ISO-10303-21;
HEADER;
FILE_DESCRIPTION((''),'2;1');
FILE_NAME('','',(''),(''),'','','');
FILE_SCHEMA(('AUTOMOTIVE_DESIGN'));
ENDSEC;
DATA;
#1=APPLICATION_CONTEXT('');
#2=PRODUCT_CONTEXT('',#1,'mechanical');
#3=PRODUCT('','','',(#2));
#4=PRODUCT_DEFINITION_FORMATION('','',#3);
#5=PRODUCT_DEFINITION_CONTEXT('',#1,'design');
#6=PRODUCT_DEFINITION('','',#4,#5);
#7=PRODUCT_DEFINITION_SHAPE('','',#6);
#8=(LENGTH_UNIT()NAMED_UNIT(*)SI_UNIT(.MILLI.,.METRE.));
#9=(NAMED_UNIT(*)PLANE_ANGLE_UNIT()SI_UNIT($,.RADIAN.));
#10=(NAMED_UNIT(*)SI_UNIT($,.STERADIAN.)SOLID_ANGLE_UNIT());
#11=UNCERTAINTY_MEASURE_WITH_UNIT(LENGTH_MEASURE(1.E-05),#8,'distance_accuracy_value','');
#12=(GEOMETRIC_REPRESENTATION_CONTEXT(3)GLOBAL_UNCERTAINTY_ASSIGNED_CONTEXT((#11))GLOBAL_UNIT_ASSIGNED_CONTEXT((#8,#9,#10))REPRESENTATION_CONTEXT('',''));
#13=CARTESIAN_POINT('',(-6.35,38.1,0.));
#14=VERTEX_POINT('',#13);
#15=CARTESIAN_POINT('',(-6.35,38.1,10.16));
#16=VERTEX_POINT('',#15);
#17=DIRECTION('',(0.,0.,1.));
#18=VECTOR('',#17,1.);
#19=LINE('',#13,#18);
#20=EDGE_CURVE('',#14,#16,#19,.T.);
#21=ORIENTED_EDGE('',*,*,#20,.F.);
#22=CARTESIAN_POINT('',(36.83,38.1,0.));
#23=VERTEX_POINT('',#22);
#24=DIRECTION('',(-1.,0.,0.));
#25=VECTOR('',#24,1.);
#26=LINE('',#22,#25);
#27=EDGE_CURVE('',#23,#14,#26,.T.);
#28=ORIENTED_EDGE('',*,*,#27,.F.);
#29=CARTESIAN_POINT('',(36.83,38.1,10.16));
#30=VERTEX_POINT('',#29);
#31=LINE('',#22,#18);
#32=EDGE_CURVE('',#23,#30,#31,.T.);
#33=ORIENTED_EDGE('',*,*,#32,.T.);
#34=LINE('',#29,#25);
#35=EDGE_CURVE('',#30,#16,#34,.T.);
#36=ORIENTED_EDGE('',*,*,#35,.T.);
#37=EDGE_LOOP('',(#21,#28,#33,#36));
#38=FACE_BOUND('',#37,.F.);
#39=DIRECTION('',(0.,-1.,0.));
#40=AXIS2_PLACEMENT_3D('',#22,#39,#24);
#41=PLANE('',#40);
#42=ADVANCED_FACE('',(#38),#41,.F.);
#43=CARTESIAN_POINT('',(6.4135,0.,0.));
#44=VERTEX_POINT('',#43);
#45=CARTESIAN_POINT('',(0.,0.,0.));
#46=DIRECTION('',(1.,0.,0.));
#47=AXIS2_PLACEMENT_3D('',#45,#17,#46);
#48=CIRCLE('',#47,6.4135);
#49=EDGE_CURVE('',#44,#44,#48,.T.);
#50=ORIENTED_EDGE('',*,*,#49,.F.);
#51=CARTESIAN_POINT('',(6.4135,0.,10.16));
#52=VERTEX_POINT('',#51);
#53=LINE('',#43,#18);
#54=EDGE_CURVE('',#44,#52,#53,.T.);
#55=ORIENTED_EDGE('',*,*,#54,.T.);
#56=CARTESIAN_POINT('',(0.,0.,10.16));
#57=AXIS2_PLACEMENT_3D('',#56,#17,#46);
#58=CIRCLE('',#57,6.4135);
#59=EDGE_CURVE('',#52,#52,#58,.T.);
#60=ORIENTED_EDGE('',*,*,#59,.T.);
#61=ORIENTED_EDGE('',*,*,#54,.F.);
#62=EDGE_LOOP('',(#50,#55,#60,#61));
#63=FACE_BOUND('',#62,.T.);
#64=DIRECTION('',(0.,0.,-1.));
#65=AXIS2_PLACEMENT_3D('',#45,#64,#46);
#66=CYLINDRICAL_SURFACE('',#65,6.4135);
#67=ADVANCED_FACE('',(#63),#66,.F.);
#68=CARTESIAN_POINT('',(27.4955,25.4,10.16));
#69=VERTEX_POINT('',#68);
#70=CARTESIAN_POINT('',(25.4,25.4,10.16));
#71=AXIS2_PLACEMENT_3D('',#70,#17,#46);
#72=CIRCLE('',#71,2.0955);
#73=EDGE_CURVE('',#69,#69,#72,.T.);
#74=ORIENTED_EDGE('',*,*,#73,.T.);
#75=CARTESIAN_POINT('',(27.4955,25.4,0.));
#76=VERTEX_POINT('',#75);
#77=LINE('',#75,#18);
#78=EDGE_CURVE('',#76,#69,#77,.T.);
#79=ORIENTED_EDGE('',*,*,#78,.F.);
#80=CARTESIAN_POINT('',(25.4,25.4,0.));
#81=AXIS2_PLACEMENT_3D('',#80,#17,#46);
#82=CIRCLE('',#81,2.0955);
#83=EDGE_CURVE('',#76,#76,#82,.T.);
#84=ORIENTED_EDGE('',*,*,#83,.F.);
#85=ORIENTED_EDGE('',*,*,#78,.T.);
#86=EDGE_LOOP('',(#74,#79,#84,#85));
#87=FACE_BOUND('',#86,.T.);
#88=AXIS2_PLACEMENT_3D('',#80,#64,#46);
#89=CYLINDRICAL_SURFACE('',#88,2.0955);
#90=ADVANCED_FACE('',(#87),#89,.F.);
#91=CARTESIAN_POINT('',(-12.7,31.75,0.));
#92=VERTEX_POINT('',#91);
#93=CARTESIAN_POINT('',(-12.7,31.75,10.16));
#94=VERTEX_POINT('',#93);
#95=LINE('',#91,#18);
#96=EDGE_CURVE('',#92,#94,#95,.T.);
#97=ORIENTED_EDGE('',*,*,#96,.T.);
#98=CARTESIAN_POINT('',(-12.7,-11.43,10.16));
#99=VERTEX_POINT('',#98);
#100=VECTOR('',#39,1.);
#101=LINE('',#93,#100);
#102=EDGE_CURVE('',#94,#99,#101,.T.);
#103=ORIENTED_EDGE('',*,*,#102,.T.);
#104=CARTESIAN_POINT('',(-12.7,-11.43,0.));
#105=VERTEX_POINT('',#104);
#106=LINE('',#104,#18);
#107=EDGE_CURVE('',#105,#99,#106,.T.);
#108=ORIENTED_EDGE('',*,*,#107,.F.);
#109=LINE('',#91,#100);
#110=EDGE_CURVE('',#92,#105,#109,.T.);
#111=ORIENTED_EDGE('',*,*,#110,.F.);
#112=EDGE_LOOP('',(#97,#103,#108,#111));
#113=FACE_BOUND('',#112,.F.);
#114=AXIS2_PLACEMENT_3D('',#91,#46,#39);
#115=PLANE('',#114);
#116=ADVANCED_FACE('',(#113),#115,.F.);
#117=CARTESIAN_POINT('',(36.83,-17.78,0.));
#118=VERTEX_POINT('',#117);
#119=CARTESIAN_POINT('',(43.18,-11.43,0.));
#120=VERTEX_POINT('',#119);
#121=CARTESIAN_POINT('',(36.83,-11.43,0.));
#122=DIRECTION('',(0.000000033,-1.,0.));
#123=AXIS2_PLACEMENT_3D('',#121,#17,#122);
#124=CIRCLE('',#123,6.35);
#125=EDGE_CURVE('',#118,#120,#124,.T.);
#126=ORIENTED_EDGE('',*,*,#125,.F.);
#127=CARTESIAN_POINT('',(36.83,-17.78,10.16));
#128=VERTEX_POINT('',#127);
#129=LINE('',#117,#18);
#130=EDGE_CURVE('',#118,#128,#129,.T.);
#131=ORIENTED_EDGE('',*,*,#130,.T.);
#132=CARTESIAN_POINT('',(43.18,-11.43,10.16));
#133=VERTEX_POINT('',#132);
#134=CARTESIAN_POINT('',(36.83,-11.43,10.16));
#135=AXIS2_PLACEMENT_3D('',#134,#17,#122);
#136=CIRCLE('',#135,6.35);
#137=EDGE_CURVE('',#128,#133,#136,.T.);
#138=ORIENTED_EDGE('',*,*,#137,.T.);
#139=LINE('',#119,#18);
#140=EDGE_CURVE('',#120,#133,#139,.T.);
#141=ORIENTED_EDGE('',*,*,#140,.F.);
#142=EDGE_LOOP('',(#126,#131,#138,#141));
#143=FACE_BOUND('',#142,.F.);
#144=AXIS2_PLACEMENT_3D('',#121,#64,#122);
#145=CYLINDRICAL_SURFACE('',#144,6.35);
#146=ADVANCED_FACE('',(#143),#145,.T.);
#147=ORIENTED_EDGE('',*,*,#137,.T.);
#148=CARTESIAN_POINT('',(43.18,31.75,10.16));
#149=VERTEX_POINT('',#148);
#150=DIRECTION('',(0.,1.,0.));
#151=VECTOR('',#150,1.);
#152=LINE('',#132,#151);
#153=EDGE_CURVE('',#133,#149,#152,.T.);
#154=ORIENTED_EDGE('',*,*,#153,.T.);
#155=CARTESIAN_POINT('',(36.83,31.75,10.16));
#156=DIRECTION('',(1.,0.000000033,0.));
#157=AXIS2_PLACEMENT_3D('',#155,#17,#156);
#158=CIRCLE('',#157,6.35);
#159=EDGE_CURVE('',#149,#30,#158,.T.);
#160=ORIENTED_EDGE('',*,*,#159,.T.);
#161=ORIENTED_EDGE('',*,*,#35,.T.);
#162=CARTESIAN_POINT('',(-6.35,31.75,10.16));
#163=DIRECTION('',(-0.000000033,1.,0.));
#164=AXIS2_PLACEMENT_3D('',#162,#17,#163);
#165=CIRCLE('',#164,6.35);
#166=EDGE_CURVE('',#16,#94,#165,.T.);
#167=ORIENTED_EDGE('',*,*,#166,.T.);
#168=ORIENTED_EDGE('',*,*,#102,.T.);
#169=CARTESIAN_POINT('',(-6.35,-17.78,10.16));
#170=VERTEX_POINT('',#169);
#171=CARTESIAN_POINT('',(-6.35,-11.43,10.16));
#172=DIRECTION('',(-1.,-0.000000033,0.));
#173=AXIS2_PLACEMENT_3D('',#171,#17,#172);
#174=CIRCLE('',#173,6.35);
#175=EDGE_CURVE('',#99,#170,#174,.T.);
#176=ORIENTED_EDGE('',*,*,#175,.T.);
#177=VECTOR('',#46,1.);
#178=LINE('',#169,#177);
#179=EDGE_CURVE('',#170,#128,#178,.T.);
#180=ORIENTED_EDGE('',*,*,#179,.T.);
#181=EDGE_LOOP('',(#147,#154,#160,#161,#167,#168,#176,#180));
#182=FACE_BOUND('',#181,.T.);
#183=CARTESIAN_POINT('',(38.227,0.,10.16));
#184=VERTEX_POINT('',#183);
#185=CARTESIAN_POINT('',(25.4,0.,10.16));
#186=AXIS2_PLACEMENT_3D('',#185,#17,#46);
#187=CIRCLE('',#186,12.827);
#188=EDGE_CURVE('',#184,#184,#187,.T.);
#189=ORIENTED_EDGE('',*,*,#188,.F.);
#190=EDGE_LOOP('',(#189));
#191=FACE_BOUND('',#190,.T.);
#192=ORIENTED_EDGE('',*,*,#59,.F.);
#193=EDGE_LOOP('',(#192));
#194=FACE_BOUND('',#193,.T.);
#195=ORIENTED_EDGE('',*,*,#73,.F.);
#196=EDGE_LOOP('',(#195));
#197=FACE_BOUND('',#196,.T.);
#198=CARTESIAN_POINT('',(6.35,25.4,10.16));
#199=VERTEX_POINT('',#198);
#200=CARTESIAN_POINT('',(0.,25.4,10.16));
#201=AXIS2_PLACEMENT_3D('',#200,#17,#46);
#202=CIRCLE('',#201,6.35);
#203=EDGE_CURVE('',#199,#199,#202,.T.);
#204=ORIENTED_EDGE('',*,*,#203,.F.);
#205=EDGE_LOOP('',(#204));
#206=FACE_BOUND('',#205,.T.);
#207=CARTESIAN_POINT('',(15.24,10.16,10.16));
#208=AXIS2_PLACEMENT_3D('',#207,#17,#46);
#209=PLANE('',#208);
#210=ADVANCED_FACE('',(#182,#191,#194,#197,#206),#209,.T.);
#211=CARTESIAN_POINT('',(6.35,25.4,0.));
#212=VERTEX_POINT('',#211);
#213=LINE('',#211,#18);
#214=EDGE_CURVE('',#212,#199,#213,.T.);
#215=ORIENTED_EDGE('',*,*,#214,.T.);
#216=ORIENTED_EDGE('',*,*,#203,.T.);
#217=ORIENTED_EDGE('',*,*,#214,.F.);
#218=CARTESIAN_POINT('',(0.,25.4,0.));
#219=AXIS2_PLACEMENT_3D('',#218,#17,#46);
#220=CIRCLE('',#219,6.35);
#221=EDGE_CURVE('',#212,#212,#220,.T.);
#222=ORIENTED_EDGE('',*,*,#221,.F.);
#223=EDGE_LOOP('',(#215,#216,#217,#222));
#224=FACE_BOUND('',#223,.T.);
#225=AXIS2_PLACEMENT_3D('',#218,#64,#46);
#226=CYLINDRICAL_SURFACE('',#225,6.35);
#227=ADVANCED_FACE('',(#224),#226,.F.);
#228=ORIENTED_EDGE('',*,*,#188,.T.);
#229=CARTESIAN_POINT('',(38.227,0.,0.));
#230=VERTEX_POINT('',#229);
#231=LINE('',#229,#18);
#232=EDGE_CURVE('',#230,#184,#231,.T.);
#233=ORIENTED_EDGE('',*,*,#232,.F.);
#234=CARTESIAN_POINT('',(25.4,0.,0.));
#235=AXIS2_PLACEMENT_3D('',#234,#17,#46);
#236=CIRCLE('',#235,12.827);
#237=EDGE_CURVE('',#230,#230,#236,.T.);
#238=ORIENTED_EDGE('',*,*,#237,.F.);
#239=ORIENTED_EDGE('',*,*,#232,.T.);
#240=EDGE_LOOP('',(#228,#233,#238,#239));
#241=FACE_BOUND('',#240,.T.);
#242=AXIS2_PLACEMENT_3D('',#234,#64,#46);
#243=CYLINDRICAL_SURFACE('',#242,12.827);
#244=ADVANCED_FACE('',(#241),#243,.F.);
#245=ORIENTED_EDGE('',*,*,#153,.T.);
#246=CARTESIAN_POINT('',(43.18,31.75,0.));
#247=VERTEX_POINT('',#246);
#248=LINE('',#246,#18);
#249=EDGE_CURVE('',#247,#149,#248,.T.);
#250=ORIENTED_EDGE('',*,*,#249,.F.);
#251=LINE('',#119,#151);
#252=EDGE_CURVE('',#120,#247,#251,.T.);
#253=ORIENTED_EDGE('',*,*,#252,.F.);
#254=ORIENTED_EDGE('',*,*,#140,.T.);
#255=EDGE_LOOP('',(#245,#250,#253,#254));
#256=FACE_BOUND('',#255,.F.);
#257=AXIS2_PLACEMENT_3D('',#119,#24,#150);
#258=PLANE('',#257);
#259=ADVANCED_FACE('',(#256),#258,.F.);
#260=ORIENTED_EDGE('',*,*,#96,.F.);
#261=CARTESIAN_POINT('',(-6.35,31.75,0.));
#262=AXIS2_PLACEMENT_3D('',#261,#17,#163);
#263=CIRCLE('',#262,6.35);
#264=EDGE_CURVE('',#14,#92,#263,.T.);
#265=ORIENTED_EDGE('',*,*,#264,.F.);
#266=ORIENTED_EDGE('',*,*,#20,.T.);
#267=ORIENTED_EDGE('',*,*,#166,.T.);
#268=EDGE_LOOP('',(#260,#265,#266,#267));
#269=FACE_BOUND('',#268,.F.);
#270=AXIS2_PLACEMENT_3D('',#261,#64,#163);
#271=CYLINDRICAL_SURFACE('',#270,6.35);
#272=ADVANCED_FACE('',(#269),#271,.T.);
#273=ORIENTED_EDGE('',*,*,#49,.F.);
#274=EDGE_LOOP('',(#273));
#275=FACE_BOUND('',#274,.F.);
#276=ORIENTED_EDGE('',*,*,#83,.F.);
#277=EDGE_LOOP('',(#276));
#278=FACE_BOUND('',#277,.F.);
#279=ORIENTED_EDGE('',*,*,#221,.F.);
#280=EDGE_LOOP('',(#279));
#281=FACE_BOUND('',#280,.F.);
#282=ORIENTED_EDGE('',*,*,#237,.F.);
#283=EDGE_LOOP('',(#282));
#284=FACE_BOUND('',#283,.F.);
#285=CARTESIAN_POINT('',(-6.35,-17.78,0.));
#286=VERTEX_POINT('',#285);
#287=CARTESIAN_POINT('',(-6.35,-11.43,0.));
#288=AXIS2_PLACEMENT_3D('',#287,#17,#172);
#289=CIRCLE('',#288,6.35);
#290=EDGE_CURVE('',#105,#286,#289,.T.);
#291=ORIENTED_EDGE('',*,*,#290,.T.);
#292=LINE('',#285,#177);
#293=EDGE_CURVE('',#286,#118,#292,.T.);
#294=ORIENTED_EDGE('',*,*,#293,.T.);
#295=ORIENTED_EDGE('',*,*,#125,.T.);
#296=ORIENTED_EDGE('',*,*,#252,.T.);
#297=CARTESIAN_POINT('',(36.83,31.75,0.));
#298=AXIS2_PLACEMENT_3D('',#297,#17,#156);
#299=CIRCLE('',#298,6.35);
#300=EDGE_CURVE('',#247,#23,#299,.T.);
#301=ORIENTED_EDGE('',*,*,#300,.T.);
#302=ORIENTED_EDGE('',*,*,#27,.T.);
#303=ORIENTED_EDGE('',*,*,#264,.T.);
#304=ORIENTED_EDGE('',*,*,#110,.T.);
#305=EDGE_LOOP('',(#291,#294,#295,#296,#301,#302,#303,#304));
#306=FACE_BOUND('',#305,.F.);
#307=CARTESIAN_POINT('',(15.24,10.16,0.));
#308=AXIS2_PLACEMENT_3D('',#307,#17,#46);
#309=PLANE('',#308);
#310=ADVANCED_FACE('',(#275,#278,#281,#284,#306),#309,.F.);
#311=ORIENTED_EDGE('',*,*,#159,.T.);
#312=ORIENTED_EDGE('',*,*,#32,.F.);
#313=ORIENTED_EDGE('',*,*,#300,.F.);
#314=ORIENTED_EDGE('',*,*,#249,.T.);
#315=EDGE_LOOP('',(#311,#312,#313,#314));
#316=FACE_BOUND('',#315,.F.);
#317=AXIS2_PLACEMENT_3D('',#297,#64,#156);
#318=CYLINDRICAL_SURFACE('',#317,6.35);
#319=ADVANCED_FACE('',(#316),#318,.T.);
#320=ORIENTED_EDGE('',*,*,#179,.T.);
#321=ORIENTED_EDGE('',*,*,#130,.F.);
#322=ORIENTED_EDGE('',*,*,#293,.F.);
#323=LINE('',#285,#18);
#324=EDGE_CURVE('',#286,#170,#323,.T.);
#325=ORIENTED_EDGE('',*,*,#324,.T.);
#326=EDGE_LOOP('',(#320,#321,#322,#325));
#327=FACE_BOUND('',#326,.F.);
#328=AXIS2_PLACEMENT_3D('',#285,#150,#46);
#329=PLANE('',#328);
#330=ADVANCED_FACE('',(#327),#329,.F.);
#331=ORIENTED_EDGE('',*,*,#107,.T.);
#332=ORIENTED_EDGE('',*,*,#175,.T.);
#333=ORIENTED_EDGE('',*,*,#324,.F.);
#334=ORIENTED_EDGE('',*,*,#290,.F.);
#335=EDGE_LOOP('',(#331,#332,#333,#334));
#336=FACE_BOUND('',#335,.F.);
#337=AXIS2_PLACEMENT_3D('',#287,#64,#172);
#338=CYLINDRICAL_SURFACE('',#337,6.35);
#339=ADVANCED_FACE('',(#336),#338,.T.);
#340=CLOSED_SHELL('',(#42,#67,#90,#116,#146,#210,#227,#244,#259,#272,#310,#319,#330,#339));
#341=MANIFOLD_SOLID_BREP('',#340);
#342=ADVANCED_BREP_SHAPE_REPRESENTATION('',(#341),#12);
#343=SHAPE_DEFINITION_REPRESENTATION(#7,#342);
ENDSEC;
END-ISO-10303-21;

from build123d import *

# Parameters (mm, degrees)
F0_R     = 6.4135
F0_R_2   = 12.827
F0_R_3   = 6.35
F0_R_4   = 2.0955
F1_DEPTH = 10.16


with BuildPart() as f1:
    # F0 (on Top) → F1 (new body)
    with BuildSketch(Plane.XY):
        with BuildLine():
            Line((36.83, 38.1), (-6.35, 38.1))
            ThreePointArc((-6.35, 38.1), (-10.840128, 36.240128), (-12.7, 31.75))
            Line((-12.7, 31.75), (-12.7, -11.43))
            ThreePointArc((-12.7, -11.43), (-10.840128, -15.920128), (-6.35, -17.78))
            Line((-6.35, -17.78), (36.83, -17.78))
            ThreePointArc((36.83, -17.78), (41.320128, -15.920128), (43.18, -11.43))
            Line((43.18, -11.43), (43.18, 31.75))
            ThreePointArc((43.18, 31.75), (41.320128, 36.240128), (36.83, 38.1))
        make_face()
        Circle(F0_R, mode=Mode.SUBTRACT)
        with Locations((25.4, 0)):
            Circle(F0_R_2, mode=Mode.SUBTRACT)
        with Locations((0, 25.4)):
            Circle(F0_R_3, mode=Mode.SUBTRACT)
        with Locations((25.4, 25.4)):
            Circle(F0_R_4, mode=Mode.SUBTRACT)
    extrude(amount=F1_DEPTH)


solid = f1.part
